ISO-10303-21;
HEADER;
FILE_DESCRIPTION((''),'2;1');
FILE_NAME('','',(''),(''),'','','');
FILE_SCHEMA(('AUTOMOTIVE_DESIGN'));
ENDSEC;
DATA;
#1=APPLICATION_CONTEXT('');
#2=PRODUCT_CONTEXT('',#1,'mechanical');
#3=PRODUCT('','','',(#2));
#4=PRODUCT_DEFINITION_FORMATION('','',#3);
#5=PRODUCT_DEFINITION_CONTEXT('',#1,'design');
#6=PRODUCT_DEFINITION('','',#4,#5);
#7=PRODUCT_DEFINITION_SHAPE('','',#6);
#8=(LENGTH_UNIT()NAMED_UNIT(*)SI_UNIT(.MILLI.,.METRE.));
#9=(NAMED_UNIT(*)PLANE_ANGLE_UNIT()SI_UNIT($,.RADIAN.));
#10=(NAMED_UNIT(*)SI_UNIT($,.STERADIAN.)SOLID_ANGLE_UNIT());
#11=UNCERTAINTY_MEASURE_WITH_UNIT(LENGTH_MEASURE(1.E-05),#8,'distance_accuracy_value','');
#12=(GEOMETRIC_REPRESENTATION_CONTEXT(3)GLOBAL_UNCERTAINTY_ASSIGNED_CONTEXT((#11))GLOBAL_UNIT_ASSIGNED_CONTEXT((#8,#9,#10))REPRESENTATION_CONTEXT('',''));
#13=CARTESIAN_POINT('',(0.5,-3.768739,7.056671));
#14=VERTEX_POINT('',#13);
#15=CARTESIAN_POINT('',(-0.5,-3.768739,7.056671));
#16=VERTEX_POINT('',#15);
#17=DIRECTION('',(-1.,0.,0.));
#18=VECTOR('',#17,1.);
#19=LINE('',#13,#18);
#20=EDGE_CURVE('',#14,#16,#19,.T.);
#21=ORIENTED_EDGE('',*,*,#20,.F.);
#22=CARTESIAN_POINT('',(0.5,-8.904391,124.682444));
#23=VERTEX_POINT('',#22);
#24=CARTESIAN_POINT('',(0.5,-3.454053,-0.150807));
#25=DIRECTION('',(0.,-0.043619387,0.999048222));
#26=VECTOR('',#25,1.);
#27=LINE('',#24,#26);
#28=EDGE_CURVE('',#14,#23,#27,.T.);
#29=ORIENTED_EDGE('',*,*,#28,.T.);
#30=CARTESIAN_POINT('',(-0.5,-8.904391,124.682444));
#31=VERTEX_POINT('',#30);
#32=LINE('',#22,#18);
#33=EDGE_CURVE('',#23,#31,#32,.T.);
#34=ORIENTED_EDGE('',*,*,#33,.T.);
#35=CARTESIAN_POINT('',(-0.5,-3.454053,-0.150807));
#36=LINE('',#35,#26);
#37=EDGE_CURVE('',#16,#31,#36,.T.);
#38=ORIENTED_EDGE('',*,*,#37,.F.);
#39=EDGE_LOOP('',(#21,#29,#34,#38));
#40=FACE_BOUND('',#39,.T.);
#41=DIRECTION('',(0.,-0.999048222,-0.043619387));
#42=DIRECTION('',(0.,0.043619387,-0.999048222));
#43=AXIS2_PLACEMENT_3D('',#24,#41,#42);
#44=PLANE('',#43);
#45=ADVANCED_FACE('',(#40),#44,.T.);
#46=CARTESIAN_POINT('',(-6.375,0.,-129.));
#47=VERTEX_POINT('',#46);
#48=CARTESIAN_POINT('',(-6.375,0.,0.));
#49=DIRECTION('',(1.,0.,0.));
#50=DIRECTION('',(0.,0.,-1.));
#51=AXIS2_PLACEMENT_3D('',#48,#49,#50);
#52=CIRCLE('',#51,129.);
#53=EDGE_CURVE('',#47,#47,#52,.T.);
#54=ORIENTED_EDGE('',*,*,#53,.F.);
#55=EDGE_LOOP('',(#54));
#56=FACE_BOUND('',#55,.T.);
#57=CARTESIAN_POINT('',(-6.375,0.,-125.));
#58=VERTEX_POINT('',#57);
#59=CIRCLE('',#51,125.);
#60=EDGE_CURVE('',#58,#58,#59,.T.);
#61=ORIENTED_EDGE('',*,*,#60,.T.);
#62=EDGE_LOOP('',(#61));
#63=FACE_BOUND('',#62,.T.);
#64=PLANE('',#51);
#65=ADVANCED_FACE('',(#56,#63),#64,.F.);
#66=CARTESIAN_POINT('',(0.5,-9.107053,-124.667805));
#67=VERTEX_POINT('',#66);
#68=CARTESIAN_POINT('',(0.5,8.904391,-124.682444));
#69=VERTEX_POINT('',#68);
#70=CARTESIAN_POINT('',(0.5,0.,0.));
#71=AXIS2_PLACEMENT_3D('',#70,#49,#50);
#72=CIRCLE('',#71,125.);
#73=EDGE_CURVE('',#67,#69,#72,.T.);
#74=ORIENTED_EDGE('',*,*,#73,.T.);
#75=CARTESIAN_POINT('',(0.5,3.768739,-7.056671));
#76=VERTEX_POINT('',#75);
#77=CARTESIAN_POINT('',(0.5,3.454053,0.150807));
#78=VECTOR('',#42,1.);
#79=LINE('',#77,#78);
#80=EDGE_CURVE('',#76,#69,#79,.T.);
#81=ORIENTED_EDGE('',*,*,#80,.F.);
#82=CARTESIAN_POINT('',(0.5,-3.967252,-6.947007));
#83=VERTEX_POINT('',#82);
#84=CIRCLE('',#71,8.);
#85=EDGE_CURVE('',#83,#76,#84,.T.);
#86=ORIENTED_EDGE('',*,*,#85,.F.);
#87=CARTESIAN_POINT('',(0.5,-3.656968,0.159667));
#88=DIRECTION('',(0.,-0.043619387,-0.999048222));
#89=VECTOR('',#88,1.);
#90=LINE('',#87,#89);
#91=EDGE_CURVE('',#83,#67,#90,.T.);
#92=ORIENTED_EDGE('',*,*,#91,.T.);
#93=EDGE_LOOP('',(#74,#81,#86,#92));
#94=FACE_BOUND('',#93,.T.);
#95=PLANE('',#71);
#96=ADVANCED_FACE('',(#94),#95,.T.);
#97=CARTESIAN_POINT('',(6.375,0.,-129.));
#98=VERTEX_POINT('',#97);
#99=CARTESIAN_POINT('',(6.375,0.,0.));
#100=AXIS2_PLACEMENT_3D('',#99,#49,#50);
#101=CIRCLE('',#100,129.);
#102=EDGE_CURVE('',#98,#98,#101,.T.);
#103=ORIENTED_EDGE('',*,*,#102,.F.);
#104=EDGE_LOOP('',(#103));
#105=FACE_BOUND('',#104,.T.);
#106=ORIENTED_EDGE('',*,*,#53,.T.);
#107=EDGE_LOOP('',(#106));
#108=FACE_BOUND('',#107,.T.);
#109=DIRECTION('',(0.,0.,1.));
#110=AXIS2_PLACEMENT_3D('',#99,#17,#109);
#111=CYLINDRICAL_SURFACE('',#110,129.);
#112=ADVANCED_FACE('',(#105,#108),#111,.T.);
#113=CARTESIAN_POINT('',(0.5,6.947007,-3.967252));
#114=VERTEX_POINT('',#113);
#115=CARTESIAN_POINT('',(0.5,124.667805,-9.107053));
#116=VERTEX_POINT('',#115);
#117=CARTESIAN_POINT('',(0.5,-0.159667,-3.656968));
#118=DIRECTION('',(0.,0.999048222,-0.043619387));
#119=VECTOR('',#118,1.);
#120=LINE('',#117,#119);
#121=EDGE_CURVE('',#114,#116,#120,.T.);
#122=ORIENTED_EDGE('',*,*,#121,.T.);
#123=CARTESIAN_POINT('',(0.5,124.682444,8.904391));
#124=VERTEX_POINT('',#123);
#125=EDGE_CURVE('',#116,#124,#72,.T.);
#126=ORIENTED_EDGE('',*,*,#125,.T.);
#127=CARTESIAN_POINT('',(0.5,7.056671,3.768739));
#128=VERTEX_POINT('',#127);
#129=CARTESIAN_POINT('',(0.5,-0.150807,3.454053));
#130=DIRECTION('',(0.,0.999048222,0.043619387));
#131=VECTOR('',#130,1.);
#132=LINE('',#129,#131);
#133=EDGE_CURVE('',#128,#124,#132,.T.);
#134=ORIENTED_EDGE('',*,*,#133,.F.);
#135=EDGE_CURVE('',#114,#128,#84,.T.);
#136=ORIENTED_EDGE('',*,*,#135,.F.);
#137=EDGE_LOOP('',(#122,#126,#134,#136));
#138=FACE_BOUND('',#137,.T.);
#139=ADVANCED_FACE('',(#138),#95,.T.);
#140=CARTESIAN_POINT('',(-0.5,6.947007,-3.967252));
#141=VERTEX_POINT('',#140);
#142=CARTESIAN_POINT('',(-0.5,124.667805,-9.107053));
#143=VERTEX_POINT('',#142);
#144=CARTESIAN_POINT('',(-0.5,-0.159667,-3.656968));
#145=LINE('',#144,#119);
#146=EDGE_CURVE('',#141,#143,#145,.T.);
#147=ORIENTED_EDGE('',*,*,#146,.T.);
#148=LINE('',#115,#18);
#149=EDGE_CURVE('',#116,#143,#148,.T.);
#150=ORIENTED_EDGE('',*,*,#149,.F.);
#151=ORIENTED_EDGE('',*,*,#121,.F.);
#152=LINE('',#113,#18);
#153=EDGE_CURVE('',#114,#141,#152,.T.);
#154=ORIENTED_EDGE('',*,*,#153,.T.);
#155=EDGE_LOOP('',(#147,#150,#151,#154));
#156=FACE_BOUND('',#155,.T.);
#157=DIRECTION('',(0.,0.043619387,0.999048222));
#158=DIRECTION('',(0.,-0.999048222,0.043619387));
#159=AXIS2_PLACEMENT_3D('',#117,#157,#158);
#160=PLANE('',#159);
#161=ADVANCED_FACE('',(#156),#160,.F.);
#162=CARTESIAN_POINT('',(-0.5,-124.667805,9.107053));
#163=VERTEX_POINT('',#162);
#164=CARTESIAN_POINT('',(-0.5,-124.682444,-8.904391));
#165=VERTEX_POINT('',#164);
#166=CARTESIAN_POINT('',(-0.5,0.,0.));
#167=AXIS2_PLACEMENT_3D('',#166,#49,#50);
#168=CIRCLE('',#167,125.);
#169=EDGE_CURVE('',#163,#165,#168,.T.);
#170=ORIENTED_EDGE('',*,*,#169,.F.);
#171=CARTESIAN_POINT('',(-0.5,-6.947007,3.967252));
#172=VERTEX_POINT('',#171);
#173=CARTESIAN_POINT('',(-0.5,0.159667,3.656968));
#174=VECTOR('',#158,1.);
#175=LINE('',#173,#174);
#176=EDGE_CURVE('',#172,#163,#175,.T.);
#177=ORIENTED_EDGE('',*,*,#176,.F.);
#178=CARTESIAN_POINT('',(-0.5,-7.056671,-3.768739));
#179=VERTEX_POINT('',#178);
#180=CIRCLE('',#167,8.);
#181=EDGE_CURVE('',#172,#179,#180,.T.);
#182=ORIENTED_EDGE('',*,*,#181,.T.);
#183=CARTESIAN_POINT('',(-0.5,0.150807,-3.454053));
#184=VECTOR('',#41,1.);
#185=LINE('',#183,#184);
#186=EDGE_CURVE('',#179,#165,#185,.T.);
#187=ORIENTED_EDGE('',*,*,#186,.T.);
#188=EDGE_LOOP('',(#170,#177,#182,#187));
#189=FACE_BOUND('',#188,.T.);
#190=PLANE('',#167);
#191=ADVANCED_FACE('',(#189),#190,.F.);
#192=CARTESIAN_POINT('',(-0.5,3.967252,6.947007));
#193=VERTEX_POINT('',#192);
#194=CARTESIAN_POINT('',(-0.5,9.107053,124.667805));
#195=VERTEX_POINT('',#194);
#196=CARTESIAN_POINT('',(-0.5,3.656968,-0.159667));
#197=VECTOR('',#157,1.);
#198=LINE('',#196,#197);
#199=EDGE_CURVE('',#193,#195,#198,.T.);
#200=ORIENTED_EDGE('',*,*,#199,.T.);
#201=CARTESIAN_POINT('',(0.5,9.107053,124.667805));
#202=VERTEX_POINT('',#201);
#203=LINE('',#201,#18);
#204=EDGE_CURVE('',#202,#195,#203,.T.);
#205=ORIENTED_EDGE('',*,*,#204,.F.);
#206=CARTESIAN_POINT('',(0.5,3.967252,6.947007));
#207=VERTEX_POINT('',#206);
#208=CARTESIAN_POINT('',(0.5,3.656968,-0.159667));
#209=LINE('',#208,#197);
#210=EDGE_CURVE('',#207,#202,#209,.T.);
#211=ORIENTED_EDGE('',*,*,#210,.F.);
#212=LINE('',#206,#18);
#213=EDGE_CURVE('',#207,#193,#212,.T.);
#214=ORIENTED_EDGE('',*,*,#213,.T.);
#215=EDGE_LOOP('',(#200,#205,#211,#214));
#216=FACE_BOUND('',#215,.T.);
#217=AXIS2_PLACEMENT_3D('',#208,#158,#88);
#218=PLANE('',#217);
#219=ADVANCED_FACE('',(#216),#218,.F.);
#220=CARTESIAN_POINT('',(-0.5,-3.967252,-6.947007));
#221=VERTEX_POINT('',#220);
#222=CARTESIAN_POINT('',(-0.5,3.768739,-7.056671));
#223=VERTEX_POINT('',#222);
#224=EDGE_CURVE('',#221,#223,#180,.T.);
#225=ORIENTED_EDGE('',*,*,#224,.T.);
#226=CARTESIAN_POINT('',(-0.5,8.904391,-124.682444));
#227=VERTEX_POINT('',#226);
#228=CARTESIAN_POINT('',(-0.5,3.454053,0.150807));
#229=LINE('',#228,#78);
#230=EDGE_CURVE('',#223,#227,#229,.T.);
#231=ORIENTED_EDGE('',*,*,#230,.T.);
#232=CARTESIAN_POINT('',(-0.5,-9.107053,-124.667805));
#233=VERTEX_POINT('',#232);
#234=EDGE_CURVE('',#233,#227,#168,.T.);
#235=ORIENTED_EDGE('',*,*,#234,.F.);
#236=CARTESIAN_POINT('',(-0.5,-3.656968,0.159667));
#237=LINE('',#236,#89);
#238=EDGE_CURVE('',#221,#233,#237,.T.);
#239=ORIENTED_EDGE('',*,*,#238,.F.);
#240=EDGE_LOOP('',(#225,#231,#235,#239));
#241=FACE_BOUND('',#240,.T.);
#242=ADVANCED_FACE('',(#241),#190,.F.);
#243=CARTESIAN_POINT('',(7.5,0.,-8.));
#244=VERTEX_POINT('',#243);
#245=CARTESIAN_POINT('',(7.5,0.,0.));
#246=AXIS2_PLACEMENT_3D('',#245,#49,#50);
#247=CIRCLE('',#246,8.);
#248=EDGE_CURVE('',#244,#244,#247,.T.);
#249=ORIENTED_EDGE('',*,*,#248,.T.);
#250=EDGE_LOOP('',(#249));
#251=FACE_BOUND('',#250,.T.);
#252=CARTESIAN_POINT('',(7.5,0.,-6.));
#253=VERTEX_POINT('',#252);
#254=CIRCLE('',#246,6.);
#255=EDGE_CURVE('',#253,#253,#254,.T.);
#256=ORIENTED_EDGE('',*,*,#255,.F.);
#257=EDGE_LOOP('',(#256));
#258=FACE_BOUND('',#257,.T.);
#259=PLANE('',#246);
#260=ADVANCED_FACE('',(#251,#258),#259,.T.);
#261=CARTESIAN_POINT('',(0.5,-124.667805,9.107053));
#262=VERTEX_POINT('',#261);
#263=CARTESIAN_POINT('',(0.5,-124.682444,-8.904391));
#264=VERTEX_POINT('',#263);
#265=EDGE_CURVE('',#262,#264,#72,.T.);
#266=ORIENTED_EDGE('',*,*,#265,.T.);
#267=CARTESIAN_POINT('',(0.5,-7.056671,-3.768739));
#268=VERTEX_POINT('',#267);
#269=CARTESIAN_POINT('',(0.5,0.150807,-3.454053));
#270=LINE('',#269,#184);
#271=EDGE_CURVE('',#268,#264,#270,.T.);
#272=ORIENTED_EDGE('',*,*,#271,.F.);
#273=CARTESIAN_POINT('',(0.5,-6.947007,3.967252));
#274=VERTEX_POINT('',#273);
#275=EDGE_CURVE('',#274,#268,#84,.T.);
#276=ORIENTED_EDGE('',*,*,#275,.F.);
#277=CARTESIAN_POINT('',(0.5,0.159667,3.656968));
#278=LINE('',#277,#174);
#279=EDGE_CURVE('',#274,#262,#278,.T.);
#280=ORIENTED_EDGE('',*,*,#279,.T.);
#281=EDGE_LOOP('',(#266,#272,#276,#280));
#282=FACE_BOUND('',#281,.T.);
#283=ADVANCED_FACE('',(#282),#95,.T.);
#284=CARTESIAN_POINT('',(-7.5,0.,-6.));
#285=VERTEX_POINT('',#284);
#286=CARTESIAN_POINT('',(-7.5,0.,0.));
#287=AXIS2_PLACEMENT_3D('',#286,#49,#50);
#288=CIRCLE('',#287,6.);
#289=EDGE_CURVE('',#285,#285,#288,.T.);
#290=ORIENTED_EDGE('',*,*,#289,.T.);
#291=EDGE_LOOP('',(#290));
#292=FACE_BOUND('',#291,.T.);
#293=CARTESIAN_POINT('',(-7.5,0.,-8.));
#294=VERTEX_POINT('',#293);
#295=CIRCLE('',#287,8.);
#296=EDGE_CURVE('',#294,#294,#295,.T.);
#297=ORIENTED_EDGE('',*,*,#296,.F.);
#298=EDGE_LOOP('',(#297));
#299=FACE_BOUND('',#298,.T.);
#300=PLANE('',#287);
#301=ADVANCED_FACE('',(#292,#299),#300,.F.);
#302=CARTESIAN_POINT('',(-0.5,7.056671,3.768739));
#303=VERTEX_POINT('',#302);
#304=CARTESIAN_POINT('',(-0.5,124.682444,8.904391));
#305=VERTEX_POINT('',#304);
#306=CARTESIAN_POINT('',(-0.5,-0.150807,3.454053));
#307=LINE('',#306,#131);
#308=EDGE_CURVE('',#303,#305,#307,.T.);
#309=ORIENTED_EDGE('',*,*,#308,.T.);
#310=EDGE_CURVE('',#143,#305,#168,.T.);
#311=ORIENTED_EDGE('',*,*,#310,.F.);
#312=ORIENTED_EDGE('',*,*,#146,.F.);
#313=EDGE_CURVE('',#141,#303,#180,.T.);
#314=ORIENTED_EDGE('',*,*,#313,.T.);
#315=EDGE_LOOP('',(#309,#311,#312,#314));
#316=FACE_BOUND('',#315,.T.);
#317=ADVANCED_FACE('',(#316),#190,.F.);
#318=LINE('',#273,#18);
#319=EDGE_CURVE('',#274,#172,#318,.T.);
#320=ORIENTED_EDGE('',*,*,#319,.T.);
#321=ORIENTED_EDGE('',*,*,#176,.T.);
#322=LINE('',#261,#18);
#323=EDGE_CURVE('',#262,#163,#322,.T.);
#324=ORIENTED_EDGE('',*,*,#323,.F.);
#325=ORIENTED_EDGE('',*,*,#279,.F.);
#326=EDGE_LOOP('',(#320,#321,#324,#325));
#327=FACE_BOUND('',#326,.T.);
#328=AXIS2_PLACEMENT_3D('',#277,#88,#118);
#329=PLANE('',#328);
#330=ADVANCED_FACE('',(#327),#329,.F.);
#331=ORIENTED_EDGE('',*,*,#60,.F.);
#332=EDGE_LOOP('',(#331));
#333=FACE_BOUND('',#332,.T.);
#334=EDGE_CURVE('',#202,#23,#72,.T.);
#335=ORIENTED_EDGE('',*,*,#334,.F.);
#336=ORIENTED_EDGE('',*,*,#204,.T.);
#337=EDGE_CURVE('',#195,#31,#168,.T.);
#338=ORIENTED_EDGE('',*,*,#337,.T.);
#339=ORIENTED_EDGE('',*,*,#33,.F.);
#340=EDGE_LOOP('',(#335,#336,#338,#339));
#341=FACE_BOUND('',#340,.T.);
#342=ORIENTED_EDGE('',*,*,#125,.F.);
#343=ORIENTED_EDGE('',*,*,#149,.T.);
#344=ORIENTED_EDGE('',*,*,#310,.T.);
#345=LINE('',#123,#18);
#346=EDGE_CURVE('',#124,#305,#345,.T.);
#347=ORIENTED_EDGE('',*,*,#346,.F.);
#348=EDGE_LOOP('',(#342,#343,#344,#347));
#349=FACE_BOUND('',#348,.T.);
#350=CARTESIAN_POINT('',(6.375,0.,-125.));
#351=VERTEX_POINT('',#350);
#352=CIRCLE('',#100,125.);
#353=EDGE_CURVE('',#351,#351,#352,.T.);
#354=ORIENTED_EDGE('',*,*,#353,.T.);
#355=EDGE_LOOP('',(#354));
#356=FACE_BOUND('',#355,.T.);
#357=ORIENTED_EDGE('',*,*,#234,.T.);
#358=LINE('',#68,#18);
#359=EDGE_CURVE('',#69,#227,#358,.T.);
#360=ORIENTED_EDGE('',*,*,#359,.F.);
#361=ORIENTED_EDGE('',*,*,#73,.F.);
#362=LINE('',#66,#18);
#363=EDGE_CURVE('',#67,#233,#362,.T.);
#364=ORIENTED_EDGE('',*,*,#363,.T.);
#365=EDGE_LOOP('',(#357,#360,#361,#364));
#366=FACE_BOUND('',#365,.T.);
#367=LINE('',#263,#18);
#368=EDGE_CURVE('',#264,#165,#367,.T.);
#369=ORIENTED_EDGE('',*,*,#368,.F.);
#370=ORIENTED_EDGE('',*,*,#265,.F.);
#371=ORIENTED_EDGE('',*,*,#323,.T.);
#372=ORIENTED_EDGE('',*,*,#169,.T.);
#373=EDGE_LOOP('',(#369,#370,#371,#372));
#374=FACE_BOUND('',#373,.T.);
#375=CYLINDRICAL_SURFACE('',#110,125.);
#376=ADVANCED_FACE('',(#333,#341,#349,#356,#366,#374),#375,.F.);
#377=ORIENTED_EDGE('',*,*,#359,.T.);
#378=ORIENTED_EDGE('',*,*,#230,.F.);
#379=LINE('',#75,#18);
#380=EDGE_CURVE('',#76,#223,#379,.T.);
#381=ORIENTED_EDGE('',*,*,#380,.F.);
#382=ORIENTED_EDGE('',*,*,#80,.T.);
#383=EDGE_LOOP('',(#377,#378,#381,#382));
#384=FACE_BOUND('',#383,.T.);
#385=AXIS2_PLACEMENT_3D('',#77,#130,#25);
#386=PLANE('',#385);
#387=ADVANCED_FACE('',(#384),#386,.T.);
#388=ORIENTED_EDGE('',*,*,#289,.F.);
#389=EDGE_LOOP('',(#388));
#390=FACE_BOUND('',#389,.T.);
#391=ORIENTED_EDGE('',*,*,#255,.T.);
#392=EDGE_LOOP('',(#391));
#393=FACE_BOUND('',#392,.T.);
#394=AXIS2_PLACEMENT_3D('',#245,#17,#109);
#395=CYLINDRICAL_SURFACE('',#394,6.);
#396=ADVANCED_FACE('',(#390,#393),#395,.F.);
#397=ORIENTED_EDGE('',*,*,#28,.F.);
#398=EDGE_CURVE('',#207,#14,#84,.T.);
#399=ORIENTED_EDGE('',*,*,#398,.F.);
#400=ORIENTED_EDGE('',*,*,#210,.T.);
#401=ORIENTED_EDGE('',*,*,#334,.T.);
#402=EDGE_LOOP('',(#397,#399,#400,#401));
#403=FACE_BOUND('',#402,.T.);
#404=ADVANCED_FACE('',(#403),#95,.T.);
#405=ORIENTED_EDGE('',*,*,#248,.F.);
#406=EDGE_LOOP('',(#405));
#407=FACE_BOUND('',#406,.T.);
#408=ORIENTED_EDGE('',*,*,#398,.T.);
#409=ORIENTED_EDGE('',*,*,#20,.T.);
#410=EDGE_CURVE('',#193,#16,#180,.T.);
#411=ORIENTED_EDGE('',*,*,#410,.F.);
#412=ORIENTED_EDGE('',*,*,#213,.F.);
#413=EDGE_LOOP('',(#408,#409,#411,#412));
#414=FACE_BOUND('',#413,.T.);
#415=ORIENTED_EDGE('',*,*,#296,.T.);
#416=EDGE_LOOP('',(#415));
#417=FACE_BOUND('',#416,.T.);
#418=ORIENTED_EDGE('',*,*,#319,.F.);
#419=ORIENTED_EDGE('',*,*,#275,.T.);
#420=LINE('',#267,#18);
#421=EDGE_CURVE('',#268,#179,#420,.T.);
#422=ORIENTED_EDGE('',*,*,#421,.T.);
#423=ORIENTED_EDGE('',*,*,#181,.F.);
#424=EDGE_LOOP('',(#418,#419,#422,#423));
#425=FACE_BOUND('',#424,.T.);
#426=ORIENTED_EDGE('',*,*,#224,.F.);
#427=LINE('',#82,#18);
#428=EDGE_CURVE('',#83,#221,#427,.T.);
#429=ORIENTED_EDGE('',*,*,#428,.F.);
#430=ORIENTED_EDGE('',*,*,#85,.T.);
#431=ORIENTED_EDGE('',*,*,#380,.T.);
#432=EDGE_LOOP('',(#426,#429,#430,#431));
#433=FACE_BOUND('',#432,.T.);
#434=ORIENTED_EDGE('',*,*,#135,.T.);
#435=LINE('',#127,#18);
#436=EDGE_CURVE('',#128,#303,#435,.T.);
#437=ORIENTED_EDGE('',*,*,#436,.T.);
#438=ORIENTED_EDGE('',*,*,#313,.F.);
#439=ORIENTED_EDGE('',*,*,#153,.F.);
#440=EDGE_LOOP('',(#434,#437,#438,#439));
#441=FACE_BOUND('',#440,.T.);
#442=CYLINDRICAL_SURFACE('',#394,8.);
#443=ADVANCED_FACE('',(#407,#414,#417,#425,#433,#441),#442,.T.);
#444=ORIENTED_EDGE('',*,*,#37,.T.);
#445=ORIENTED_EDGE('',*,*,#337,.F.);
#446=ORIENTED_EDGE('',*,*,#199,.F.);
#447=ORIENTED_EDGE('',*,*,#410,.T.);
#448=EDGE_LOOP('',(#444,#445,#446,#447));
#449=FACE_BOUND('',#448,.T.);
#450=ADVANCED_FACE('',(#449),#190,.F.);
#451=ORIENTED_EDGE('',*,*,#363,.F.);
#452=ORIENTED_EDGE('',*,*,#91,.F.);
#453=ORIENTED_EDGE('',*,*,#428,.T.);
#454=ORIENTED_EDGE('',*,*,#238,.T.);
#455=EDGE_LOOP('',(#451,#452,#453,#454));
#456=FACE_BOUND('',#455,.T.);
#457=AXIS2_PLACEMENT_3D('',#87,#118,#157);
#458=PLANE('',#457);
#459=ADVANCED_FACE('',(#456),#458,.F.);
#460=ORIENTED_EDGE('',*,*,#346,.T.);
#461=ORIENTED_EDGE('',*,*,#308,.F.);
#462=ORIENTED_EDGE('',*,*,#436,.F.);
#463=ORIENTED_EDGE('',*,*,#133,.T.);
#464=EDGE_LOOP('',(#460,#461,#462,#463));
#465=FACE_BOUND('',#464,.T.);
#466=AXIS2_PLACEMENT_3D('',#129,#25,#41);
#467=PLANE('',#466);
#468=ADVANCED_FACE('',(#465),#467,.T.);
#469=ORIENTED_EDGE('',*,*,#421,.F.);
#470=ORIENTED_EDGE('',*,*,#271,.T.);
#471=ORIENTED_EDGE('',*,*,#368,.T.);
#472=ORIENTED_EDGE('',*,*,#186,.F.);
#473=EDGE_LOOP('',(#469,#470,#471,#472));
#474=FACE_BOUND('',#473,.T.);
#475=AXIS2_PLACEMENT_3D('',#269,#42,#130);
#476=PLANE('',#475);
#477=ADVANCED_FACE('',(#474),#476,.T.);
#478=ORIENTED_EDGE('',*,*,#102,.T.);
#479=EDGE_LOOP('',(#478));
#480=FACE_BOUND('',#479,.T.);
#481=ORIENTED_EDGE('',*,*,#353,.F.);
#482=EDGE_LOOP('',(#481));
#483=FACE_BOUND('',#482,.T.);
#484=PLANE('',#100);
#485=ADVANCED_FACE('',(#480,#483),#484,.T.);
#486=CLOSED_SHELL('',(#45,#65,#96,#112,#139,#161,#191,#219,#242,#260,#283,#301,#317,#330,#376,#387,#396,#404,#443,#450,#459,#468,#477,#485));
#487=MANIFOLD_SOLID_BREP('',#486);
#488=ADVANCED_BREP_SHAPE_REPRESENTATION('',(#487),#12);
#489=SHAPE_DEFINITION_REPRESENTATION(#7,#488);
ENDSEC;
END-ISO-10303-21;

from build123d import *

# Parameters (mm, degrees)
SKETCH1_R           = 129
SKETCH1_R_2         = 125
BOSS_EXTRUDE1_DEPTH = 6.375
BOSS_EXTRUDE2_DEPTH = 0.5
SKETCH2_4_R         = 6
BOSS_EXTRUDE3_DEPTH = 7.5


with BuildPart() as part:
    # Sketch1 → Boss-Extrude1 (new, symmetric)
    with BuildSketch(Plane(origin=(0, 0, 0), x_dir=(0, 0, -1), z_dir=(1, 0, 0))):
        Circle(SKETCH1_R)
        Circle(SKETCH1_R_2, mode=Mode.SUBTRACT)
    extrude(amount=BOSS_EXTRUDE1_DEPTH, both=True)

    # Sketch2 → Boss-Extrude2 (add, symmetric)
    with BuildSketch(Plane(origin=(0, 0, 0), x_dir=(0, 0, -1), z_dir=(1, 0, 0))):
        with BuildLine():
            ThreePointArc((-3.768738548, 7.056671294), (0.113394951, 7.999196309), (3.9672518, 6.947007496))
            Line((3.9672518, 6.947007496), (9.107052817, 124.667804942))
            ThreePointArc((9.107052817, 124.667804942), (0.101595075, 124.999958714), (-8.904390692, 124.682443938))
            Line((-8.904390692, 124.682443938), (-3.768738548, 7.056671294))
        make_face()
        with BuildLine():
            Line((124.682443938, 8.904390692), (7.056671294, 3.768738548))
            ThreePointArc((7.056671294, 3.768738548), (7.999196309, -0.113394951), (6.947007496, -3.9672518))
            Line((6.947007496, -3.9672518), (124.667804942, -9.107052817))
            ThreePointArc((124.667804942, -9.107052817), (124.999958714, -0.101595075), (124.682443938, 8.904390692))
        make_face()
        with BuildLine():
            ThreePointArc((-7.056671294, -3.768738548), (-7.999196309, 0.113394951), (-6.947007496, 3.9672518))
            Line((-6.947007496, 3.9672518), (-124.667804942, 9.107052817))
            ThreePointArc((-124.667804942, 9.107052817), (-124.999958714, 0.101595075), (-124.682443938, -8.904390692))
            Line((-124.682443938, -8.904390692), (-7.056671294, -3.768738548))
        make_face()
        with BuildLine():
            Line((8.904390692, -124.682443938), (3.768738548, -7.056671294))
            ThreePointArc((3.768738548, -7.056671294), (-0.113394951, -7.999196309), (-3.9672518, -6.947007496))
            Line((-3.9672518, -6.947007496), (-9.107052817, -124.667804942))
            ThreePointArc((-9.107052817, -124.667804942), (-0.101595075, -124.999958714), (8.904390692, -124.682443938))
        make_face()
    extrude(amount=BOSS_EXTRUDE2_DEPTH, both=True)

    # Sketch2<4> → Boss-Extrude3 (add, symmetric)
    with BuildSketch(Plane(origin=(0, 0, 0), x_dir=(0, 0, -1), z_dir=(1, 0, 0))):
        with BuildLine():
            ThreePointArc((7.056671294, 3.768738548), (5.736468293, 5.576103615), (3.9672518, 6.947007496))
            ThreePointArc((3.9672518, 6.947007496), (0.113394951, 7.999196309), (-3.768738548, 7.056671294))
            ThreePointArc((-3.768738548, 7.056671294), (-5.576103615, 5.736468293), (-6.947007496, 3.9672518))
            ThreePointArc((-6.947007496, 3.9672518), (-7.999196309, 0.113394951), (-7.056671294, -3.768738548))
            ThreePointArc((-7.056671294, -3.768738548), (-5.736468293, -5.576103615), (-3.9672518, -6.947007496))
            ThreePointArc((-3.9672518, -6.947007496), (-0.113394951, -7.999196309), (3.768738548, -7.056671294))
            ThreePointArc((3.768738548, -7.056671294), (5.576103615, -5.736468293), (6.947007496, -3.9672518))
            ThreePointArc((6.947007496, -3.9672518), (7.732271981, -2.05230846), (8, 0))
            ThreePointArc((8, 0), (7.760585363, 1.942502207), (7.056671294, 3.768738548))
        make_face()
        Circle(SKETCH2_4_R, mode=Mode.SUBTRACT)
    extrude(amount=BOSS_EXTRUDE3_DEPTH, both=True)


solid = part.part
